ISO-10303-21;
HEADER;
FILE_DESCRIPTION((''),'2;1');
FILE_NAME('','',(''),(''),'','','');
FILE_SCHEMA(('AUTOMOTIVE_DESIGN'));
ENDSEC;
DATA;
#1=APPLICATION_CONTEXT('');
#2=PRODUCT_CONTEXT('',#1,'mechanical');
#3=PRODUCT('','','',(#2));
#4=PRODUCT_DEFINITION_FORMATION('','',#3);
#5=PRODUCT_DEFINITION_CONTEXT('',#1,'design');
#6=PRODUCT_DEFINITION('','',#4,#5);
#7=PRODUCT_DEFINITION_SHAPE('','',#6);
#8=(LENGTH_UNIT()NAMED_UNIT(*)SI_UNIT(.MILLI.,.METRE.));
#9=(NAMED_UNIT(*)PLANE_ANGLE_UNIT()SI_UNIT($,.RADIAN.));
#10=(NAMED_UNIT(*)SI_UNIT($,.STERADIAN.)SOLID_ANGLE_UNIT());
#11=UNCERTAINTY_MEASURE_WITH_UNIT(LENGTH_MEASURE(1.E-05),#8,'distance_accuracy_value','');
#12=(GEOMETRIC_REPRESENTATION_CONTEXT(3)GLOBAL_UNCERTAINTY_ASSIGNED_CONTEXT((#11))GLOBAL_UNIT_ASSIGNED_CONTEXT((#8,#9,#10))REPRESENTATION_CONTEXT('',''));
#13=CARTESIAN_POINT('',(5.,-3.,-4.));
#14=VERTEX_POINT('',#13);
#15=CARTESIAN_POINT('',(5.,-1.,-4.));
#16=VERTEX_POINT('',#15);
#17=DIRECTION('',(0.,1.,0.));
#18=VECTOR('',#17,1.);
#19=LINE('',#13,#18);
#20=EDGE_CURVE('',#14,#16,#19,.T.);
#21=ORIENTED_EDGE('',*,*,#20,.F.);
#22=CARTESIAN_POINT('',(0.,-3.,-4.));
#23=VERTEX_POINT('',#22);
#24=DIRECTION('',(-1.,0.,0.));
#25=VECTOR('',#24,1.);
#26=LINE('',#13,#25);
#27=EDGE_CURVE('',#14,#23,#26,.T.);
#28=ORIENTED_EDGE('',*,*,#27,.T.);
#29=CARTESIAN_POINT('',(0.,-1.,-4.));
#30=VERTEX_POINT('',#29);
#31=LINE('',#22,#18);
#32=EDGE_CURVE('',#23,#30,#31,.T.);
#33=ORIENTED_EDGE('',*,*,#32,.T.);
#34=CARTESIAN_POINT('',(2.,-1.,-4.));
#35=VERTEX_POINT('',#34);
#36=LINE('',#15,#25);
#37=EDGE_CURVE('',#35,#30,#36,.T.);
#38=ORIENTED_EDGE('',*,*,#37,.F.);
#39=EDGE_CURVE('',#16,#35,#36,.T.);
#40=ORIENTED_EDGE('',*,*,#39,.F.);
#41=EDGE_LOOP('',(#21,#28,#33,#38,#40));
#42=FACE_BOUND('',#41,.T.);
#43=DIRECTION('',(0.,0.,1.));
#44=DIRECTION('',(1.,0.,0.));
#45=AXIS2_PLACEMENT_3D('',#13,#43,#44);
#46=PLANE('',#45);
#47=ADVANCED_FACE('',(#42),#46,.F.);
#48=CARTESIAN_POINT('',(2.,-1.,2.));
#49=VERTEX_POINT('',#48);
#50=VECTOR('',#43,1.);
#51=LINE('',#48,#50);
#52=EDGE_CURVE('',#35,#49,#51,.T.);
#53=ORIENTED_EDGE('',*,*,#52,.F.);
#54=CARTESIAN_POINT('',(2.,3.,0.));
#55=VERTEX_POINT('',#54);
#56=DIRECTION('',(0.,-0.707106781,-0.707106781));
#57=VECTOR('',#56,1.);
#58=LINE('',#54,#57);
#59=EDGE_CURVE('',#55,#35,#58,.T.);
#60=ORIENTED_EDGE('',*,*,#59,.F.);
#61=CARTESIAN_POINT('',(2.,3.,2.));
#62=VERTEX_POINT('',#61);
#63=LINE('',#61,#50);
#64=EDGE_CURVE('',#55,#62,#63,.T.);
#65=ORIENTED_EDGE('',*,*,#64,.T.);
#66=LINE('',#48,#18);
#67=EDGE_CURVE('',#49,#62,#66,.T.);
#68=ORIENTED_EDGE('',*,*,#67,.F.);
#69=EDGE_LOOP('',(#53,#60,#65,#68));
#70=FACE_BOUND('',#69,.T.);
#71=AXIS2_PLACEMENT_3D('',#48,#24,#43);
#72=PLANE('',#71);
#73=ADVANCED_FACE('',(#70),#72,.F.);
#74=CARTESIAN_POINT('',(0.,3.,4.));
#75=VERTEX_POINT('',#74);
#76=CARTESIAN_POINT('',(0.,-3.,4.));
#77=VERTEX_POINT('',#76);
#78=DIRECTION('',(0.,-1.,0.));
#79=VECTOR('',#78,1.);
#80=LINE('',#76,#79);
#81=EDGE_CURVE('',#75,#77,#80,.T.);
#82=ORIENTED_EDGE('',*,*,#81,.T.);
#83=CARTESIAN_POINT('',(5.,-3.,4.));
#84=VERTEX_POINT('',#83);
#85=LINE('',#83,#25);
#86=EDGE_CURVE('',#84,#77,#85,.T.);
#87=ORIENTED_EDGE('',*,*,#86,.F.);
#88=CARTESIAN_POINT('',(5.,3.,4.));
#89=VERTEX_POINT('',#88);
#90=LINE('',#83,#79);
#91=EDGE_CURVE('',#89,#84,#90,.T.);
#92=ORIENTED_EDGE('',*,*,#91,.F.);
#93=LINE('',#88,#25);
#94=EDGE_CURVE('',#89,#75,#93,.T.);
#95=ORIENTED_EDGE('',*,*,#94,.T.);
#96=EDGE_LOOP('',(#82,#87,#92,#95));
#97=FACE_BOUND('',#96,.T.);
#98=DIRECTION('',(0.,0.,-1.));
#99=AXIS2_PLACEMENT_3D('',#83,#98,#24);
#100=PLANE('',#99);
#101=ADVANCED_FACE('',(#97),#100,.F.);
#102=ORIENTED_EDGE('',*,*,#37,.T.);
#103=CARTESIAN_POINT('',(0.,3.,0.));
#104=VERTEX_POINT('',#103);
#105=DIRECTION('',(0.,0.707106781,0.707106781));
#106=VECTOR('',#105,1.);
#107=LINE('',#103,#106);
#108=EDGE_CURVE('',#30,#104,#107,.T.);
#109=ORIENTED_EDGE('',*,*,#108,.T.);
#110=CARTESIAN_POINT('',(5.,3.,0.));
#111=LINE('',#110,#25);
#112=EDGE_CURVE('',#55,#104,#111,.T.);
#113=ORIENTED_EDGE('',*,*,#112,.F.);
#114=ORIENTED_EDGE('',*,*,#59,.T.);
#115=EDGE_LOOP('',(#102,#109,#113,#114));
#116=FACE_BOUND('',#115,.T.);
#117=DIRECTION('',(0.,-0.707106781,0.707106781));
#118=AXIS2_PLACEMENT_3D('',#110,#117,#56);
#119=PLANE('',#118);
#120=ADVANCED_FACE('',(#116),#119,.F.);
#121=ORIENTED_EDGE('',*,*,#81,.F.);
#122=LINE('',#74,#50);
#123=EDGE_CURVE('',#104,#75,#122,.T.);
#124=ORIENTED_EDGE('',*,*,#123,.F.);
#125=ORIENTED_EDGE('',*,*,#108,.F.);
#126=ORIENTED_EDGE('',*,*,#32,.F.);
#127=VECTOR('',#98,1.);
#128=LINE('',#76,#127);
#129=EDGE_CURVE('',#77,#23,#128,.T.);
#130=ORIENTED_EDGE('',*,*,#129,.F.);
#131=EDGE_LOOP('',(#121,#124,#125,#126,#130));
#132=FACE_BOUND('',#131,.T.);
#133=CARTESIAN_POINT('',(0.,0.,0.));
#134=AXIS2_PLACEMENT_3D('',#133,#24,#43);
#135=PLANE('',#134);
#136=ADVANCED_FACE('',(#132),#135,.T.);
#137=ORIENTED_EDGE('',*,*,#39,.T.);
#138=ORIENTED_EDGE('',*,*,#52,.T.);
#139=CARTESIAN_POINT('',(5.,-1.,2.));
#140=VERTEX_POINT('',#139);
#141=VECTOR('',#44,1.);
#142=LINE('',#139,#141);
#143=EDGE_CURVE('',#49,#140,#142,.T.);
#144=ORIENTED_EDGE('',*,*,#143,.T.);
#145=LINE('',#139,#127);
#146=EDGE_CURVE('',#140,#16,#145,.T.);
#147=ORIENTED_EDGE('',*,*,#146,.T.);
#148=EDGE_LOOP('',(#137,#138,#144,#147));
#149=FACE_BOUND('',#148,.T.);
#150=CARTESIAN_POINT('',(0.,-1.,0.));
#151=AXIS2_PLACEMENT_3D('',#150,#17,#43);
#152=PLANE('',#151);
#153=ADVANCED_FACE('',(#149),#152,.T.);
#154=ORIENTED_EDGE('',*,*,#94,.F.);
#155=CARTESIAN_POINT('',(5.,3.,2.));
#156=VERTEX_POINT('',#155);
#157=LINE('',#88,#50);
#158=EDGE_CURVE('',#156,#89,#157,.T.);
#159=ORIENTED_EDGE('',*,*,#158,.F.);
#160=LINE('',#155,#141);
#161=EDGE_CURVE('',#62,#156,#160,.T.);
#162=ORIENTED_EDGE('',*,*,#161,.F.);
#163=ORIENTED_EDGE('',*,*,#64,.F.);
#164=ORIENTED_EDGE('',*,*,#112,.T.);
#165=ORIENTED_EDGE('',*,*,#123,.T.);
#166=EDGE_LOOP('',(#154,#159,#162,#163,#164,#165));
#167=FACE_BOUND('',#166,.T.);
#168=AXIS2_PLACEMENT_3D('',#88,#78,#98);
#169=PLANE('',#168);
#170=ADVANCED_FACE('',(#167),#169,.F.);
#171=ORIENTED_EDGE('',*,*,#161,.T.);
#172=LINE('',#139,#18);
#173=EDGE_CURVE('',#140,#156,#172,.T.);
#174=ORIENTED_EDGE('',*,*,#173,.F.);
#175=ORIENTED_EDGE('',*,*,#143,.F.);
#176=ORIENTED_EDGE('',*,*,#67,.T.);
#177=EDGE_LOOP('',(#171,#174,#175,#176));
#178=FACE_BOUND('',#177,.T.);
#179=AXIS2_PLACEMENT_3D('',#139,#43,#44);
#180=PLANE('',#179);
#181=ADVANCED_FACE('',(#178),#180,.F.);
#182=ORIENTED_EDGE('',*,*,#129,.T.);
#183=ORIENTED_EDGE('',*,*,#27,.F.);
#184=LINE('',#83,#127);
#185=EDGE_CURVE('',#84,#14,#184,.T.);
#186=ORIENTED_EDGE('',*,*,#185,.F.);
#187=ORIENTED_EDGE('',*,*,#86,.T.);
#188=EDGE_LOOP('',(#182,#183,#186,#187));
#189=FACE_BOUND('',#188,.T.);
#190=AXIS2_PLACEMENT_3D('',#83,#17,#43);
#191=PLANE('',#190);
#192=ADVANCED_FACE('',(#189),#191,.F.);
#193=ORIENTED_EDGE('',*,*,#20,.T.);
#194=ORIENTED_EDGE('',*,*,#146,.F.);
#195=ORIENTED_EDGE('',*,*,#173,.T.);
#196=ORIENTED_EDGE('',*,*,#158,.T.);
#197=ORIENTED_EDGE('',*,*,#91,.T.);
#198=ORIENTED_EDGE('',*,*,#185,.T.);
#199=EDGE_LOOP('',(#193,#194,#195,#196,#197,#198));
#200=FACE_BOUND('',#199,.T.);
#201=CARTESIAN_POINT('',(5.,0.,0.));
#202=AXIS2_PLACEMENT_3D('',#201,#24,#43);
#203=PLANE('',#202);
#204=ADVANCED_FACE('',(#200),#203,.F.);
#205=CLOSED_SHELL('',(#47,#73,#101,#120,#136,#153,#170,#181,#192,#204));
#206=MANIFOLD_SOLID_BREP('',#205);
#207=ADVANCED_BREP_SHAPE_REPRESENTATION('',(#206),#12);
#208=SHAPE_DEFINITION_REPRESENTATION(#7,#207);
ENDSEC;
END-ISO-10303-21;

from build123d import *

# Parameters (mm, degrees)
SALIENTE_EXTRUIR2_DEPTH = 5
CROQUIS4_W              = 3
CROQUIS4_H              = 6
CORTAR_EXTRUIR1_DEPTH   = 4


with BuildPart() as part:
    # Croquis2 → Saliente-Extruir2 (new body)
    with BuildSketch(Plane(origin=(0, 0, 0), x_dir=(0, 0, -1), z_dir=(1, 0, 0))):
        Polygon((0, 3), (4, -1), (4, -3), (-4, -3), (-4, 3), align=None)
    extrude(amount=SALIENTE_EXTRUIR2_DEPTH)

    # Croquis4 → Cortar-Extruir1 (cut)
    with BuildSketch(Plane(origin=(0, 3, 0), x_dir=(1, 0, 0), z_dir=(0, 1, 0))):
        with Locations((3.5, 1)):
            Rectangle(CROQUIS4_W, CROQUIS4_H)
    extrude(amount=-CORTAR_EXTRUIR1_DEPTH, mode=Mode.SUBTRACT)


solid = part.part
